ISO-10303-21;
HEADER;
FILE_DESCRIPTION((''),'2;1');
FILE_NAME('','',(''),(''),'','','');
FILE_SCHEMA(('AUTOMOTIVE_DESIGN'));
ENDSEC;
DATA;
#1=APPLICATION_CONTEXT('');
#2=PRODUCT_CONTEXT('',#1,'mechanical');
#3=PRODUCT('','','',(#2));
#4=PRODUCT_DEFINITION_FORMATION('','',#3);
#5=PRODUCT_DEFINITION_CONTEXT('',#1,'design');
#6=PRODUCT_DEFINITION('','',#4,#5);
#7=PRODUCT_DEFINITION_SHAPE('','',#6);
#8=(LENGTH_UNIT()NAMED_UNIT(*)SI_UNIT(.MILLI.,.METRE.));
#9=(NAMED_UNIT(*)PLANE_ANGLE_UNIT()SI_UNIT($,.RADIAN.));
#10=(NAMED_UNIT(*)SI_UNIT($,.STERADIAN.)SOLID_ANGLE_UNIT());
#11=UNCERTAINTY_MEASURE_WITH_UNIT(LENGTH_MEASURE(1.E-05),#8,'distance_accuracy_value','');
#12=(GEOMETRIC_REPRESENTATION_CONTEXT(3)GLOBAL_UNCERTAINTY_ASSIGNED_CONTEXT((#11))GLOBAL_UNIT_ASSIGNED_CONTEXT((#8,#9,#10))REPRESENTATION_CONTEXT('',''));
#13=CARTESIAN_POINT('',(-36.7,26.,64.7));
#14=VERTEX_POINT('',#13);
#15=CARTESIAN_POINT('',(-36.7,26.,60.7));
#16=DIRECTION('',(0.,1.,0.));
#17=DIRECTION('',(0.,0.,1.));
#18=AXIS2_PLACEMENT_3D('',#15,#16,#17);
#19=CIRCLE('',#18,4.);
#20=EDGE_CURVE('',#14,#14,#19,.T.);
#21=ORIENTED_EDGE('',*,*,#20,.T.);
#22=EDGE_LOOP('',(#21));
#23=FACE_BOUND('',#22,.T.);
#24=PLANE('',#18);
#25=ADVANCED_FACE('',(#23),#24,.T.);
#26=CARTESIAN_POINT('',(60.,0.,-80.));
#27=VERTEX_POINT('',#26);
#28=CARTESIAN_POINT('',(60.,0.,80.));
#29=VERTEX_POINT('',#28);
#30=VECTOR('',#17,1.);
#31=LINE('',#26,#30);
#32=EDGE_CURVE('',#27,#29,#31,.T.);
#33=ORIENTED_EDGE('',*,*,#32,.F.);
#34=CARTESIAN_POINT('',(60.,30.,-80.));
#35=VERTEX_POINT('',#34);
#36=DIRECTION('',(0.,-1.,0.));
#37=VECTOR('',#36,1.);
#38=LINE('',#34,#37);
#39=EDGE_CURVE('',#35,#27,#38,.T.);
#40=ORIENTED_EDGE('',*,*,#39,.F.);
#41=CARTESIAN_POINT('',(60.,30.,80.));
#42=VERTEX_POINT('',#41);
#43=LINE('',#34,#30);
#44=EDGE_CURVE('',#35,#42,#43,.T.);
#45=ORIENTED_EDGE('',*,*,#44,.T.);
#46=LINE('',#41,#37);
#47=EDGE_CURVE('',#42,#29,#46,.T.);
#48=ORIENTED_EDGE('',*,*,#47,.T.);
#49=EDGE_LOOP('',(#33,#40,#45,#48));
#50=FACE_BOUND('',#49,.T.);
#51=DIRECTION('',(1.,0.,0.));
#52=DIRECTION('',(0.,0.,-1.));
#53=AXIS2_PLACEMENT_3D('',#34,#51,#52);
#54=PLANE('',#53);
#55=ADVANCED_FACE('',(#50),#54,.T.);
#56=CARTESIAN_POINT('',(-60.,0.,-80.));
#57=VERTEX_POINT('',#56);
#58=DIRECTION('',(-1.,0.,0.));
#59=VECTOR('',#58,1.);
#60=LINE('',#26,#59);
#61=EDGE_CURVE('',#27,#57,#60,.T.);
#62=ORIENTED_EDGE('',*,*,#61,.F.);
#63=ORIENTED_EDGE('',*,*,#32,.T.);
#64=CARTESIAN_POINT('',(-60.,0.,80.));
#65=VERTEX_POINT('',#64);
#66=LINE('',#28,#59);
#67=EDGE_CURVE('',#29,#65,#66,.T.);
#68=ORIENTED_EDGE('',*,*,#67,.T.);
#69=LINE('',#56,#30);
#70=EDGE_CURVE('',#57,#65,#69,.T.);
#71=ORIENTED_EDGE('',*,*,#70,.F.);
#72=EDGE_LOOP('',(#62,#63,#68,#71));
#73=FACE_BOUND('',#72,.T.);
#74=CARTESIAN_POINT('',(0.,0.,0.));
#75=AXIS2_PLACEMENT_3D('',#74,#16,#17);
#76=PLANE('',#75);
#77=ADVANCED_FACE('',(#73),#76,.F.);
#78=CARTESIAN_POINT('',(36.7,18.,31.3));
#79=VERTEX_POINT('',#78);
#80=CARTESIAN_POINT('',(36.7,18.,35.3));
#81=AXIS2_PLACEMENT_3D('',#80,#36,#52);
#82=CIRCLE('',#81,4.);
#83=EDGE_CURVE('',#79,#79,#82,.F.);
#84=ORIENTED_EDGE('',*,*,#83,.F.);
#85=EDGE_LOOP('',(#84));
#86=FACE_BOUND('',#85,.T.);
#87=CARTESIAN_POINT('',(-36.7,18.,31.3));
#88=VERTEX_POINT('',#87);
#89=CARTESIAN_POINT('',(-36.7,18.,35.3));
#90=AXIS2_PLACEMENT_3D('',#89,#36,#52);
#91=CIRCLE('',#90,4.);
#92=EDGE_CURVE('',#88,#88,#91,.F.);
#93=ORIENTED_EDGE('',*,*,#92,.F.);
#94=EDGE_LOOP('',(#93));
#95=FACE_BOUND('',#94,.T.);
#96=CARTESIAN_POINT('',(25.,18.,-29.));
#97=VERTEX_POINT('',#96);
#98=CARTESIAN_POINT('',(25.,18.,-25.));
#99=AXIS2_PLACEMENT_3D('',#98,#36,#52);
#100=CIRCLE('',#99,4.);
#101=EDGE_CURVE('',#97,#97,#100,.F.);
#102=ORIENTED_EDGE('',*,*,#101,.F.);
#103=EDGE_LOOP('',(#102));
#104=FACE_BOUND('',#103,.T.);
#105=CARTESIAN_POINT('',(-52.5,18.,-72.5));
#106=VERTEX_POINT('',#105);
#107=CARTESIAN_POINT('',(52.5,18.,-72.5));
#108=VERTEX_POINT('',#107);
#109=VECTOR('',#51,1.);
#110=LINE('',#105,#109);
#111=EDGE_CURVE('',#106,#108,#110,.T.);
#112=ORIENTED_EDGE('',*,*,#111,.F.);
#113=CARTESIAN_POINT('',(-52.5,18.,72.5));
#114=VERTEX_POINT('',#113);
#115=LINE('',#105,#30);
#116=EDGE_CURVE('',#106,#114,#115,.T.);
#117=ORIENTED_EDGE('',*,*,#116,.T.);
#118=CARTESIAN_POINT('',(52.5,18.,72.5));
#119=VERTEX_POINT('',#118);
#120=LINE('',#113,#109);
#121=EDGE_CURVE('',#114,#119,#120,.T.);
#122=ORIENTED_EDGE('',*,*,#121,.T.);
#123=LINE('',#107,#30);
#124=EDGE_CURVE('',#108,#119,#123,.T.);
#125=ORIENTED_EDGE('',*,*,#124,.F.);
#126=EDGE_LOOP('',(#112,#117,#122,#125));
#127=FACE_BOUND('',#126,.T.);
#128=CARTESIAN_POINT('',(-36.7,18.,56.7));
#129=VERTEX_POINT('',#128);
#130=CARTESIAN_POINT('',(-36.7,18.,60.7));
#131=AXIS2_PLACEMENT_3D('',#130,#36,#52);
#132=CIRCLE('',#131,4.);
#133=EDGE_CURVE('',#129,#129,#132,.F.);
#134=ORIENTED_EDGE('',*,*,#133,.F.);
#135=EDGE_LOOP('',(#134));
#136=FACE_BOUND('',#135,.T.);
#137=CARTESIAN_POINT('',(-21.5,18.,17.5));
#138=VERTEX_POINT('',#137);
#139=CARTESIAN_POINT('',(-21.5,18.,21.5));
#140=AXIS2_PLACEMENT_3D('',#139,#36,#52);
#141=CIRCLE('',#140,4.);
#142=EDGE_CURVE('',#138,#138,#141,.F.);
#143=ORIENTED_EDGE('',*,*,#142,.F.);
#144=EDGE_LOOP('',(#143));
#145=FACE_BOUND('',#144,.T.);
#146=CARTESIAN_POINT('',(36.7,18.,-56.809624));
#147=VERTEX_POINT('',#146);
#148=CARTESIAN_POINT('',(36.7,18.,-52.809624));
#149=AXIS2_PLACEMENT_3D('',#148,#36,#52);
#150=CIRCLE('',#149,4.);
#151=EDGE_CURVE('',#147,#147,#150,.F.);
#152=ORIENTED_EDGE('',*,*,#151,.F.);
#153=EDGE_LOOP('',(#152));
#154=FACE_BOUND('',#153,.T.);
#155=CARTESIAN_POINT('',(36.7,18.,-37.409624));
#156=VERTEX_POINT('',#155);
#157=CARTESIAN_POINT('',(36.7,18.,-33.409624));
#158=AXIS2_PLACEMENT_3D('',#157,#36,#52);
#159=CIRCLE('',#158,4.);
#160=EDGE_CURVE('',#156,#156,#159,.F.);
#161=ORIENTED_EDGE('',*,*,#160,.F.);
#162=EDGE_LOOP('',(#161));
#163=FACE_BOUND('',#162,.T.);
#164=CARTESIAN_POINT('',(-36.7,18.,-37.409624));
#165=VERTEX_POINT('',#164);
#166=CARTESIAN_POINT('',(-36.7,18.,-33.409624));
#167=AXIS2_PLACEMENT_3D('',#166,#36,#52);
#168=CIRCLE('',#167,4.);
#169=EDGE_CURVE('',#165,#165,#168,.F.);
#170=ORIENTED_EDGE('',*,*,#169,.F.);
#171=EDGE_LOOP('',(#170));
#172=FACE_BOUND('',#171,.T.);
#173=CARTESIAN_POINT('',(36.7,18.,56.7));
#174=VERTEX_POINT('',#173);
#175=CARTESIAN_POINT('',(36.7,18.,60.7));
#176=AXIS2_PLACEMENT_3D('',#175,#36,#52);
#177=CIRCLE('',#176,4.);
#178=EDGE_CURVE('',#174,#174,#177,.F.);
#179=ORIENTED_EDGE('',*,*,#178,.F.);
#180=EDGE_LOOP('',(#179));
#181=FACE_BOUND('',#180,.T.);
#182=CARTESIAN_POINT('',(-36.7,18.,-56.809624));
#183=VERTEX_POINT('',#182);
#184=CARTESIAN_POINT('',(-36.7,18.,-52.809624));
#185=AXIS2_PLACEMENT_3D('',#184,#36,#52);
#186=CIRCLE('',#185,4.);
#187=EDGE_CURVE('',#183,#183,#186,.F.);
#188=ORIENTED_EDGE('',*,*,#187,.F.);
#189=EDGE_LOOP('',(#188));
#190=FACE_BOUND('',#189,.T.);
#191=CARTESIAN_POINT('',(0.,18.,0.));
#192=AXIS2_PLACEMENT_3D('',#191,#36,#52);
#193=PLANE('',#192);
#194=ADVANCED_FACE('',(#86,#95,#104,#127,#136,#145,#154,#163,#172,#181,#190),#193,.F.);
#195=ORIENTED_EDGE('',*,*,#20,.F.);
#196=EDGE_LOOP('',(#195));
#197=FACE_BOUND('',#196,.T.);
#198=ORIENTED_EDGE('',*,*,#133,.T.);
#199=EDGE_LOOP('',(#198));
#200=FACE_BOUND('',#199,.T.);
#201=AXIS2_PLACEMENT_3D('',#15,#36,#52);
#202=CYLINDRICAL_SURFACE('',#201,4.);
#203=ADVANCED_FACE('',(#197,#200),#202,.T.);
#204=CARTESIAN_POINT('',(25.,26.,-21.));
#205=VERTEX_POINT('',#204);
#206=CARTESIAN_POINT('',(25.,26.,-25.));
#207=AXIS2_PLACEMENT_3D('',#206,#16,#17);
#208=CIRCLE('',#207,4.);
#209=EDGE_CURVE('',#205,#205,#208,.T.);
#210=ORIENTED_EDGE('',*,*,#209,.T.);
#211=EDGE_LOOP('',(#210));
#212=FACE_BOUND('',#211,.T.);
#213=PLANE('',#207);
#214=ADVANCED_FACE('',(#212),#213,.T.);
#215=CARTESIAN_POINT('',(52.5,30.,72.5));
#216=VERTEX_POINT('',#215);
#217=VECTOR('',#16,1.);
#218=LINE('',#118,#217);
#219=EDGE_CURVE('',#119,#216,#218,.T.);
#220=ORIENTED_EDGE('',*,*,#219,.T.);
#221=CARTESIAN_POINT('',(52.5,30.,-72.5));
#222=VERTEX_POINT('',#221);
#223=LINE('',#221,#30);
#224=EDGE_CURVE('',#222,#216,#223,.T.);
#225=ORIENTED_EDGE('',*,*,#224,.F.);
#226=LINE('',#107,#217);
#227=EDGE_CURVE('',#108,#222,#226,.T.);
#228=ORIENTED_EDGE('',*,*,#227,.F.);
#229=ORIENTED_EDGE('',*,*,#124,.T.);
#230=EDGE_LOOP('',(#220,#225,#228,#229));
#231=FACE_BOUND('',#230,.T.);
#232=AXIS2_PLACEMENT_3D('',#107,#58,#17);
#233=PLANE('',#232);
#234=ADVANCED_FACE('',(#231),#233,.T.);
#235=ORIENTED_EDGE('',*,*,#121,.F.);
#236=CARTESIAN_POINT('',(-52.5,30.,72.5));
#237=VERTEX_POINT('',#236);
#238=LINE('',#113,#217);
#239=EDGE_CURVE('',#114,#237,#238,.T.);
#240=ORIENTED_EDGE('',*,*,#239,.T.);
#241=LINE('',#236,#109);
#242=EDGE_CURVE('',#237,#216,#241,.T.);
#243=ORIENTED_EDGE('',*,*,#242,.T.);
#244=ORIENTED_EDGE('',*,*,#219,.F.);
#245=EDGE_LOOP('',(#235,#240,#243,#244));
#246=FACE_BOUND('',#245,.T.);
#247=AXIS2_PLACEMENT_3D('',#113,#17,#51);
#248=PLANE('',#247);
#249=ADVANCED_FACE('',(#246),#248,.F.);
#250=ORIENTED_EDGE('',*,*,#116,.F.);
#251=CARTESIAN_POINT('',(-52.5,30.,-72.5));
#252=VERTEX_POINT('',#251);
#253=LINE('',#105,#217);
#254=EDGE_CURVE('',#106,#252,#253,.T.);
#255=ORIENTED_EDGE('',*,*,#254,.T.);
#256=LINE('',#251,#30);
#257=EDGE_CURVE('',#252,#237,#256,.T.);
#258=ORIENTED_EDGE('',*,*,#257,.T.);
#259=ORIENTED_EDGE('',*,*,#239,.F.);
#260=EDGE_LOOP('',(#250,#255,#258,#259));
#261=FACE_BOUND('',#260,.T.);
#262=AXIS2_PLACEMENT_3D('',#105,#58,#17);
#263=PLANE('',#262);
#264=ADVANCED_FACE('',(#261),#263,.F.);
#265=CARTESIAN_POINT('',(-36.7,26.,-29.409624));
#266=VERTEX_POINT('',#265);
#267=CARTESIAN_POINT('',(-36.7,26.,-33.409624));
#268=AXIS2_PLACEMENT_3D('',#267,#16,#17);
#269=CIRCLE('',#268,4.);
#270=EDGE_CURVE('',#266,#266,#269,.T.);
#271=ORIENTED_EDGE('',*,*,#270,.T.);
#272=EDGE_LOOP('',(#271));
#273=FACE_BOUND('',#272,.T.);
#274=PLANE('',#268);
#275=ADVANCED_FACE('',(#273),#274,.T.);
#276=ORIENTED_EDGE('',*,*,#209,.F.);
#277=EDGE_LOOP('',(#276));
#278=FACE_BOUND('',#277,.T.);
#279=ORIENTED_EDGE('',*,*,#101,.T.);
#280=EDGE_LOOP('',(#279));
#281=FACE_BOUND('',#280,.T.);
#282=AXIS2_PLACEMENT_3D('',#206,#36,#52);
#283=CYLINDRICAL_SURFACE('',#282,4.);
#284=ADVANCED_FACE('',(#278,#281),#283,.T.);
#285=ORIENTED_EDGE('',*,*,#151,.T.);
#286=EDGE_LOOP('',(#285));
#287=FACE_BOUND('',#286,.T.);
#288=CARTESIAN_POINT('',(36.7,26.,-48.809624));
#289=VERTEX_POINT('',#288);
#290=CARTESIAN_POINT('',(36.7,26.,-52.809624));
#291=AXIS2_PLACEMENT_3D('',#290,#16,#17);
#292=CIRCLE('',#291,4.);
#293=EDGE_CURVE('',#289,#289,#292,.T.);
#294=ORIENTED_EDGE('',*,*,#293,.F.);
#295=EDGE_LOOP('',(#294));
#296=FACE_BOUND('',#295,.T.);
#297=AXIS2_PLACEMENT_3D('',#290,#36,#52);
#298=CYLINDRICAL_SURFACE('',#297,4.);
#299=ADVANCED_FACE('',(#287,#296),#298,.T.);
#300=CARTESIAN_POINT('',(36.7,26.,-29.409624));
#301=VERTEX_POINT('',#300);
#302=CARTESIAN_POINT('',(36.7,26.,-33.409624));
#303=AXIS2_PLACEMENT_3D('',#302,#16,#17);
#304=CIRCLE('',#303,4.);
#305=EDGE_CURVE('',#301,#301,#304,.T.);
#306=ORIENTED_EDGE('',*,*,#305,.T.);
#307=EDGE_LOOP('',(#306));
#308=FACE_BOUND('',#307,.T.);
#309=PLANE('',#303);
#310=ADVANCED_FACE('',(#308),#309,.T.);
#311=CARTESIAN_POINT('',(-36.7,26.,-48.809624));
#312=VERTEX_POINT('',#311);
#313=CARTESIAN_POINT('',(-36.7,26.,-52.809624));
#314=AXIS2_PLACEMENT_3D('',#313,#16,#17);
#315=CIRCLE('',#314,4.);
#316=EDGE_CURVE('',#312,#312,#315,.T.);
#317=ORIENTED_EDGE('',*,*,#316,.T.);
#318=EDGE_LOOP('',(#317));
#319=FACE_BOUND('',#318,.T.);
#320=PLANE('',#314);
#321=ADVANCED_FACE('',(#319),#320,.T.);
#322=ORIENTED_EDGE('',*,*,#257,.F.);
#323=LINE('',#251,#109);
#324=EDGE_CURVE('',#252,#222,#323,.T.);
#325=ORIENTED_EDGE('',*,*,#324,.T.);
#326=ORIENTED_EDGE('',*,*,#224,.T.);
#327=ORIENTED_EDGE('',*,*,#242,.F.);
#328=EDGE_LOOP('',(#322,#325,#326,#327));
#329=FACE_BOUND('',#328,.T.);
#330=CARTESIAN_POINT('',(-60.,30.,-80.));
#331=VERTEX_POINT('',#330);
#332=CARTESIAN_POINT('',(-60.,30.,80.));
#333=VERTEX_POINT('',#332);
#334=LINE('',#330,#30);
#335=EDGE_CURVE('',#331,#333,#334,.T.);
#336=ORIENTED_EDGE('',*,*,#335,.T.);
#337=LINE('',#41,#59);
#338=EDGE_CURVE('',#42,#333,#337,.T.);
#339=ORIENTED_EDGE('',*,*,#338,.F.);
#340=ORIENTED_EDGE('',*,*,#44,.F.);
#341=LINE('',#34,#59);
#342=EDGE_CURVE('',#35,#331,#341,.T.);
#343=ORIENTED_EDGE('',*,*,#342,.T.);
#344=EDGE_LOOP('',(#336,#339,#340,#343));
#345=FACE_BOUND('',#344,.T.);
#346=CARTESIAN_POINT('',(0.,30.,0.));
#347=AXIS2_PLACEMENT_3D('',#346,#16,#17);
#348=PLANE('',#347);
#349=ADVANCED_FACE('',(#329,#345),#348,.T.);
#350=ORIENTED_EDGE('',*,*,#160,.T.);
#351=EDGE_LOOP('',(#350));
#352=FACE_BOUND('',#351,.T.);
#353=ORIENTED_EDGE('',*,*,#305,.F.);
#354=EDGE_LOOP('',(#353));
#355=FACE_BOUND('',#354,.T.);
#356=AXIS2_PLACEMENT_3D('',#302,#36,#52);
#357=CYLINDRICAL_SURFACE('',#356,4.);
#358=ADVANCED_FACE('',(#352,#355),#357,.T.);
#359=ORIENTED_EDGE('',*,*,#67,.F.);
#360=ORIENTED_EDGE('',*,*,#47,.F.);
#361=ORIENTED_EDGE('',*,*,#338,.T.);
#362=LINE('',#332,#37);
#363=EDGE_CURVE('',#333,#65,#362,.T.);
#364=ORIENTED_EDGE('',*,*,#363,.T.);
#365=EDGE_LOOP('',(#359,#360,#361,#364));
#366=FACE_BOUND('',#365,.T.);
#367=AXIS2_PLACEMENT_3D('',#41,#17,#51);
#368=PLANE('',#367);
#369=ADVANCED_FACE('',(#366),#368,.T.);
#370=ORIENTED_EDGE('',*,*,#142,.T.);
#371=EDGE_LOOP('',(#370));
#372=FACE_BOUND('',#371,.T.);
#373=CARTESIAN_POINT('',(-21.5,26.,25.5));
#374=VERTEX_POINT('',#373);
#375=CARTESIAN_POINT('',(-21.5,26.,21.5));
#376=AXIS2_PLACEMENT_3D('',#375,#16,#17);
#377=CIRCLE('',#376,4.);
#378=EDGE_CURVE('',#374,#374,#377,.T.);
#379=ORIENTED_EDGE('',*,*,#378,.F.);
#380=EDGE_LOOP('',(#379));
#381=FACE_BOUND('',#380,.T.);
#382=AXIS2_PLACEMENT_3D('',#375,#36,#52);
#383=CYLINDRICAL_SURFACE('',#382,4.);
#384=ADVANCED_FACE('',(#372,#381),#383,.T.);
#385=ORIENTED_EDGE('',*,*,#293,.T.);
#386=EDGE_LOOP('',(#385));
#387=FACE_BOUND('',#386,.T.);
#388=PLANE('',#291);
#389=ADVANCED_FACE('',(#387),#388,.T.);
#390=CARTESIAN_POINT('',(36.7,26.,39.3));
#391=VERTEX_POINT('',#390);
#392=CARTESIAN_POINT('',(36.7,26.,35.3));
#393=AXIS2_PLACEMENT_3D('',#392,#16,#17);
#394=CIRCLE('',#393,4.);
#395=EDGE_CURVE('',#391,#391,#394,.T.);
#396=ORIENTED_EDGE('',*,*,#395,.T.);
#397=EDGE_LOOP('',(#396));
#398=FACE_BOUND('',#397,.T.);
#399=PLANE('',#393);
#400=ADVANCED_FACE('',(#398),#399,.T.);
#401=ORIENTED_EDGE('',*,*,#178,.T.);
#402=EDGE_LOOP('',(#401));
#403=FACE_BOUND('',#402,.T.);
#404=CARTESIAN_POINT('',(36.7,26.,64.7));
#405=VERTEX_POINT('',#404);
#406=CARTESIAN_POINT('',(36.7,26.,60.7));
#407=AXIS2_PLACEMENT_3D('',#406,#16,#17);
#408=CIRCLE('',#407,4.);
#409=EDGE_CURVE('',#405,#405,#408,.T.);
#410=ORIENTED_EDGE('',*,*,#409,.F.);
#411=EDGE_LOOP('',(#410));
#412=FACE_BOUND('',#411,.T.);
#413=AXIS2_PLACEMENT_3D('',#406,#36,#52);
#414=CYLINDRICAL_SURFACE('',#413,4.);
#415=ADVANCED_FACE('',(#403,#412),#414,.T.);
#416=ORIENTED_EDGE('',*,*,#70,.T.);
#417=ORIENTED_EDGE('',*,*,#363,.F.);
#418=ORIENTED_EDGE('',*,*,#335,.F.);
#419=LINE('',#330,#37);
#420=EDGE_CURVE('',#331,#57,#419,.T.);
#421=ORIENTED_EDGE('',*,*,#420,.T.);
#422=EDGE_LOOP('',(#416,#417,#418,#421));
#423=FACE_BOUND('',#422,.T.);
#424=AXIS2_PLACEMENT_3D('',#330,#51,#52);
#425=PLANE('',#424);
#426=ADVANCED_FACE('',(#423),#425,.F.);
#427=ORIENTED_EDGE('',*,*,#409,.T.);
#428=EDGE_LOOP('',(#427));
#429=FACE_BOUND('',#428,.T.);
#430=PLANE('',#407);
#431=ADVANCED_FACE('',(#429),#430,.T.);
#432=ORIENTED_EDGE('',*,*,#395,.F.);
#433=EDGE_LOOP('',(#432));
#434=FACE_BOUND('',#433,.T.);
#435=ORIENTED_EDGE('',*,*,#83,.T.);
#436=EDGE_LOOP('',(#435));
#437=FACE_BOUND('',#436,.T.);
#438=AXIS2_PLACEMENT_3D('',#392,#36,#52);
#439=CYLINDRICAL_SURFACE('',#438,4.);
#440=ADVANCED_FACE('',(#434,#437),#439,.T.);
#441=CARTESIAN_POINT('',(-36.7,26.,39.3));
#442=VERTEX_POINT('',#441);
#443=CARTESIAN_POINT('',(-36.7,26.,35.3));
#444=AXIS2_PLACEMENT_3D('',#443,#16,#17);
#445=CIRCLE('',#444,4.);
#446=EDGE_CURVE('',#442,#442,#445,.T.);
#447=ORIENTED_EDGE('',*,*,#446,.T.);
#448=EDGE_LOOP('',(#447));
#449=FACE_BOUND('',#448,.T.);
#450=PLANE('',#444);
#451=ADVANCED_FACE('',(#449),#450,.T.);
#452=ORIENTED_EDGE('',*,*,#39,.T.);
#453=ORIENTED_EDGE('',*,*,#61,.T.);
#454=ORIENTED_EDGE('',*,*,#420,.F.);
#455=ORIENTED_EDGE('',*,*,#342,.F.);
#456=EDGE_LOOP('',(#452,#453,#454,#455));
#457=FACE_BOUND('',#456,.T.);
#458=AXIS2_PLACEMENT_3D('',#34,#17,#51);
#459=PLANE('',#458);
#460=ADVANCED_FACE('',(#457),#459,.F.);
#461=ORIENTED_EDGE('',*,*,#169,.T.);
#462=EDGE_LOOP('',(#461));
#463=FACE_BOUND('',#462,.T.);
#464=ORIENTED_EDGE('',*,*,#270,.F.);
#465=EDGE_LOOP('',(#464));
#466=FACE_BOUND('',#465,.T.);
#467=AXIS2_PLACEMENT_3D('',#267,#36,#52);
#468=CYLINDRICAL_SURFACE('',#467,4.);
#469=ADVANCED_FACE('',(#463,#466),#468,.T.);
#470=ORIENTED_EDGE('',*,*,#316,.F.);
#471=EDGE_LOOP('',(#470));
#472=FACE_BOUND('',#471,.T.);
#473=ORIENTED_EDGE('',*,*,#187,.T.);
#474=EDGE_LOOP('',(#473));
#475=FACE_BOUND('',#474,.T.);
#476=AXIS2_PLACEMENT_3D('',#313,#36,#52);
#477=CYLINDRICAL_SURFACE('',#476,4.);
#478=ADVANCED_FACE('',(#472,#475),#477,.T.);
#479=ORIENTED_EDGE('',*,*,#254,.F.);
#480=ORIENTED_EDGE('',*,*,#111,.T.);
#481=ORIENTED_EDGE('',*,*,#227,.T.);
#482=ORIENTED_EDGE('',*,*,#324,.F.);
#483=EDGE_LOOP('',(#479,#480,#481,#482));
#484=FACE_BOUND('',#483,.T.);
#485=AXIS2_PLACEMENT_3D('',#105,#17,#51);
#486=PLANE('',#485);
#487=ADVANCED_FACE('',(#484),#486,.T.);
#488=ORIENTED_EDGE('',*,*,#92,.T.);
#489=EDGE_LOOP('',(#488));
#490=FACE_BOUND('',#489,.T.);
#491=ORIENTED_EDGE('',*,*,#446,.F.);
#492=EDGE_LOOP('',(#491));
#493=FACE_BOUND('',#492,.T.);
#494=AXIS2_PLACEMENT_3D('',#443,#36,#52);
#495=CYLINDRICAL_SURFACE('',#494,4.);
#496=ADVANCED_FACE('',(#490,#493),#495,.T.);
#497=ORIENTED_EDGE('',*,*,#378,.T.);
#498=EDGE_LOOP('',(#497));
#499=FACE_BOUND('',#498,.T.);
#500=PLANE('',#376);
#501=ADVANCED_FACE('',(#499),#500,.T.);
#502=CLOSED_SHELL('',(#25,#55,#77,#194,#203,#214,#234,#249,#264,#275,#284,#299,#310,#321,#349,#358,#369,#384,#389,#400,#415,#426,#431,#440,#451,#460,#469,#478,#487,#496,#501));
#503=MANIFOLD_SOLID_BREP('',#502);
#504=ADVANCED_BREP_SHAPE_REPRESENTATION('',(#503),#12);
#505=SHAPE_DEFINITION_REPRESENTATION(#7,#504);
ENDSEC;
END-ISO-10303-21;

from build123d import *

# Parameters (mm, degrees)
SKETCH1_W           = 120
SKETCH1_H           = 160
BOSS_EXTRUDE1_DEPTH = 30
SKETCH2_W           = 105
SKETCH2_H           = 145
CUT_EXTRUDE1_DEPTH  = 12
SKETCH3_R           = 4
BOSS_EXTRUDE2_DEPTH = 8


with BuildPart() as part:
    # Sketch1 → Boss-Extrude1 (new body)
    with BuildSketch(Plane(origin=(0, 0, 0), x_dir=(1, 0, 0), z_dir=(0, 1, 0))):
        Rectangle(SKETCH1_W, SKETCH1_H)
    extrude(amount=BOSS_EXTRUDE1_DEPTH)

    # Sketch2 → Cut-Extrude1 (cut)
    with BuildSketch(Plane(origin=(0, 30, 0), x_dir=(1, 0, 0), z_dir=(0, 1, 0))):
        Rectangle(SKETCH2_W, SKETCH2_H)
    extrude(amount=-CUT_EXTRUDE1_DEPTH, mode=Mode.SUBTRACT)

    # Sketch3 → Boss-Extrude2 (add)
    with BuildSketch(Plane(origin=(0, 18, 0), x_dir=(1, 0, 0), z_dir=(0, 1, 0))):
        with Locations(Location((-21.5, -21.5, 0), (0, 0, 90))):
            Circle(SKETCH3_R)
        with Locations(Location((25, 25, 0), (0, 0, 90))):
            Circle(SKETCH3_R)
        with Locations(Location((-36.7, -35.3, 0), (0, 0, 90))):
            Circle(SKETCH3_R)
        with Locations(Location((36.7, -35.3, 0), (0, 0, 90))):
            Circle(SKETCH3_R)
        with Locations(Location((36.7, -60.7, 0), (0, 0, 90))):
            Circle(SKETCH3_R)
        with Locations(Location((-36.7, -60.7, 0), (0, 0, 90))):
            Circle(SKETCH3_R)
        with Locations(Location((36.7, 33.409623616, 0), (0, 0, 90))):
            Circle(SKETCH3_R)
        with Locations(Location((-36.7, 33.409623616, 0), (0, 0, 90))):
            Circle(SKETCH3_R)
        with Locations(Location((-36.7, 52.809623616, 0), (0, 0, 90))):
            Circle(SKETCH3_R)
        with Locations(Location((36.7, 52.809623616, 0), (0, 0, 90))):
            Circle(SKETCH3_R)
    extrude(amount=BOSS_EXTRUDE2_DEPTH)


solid = part.part
